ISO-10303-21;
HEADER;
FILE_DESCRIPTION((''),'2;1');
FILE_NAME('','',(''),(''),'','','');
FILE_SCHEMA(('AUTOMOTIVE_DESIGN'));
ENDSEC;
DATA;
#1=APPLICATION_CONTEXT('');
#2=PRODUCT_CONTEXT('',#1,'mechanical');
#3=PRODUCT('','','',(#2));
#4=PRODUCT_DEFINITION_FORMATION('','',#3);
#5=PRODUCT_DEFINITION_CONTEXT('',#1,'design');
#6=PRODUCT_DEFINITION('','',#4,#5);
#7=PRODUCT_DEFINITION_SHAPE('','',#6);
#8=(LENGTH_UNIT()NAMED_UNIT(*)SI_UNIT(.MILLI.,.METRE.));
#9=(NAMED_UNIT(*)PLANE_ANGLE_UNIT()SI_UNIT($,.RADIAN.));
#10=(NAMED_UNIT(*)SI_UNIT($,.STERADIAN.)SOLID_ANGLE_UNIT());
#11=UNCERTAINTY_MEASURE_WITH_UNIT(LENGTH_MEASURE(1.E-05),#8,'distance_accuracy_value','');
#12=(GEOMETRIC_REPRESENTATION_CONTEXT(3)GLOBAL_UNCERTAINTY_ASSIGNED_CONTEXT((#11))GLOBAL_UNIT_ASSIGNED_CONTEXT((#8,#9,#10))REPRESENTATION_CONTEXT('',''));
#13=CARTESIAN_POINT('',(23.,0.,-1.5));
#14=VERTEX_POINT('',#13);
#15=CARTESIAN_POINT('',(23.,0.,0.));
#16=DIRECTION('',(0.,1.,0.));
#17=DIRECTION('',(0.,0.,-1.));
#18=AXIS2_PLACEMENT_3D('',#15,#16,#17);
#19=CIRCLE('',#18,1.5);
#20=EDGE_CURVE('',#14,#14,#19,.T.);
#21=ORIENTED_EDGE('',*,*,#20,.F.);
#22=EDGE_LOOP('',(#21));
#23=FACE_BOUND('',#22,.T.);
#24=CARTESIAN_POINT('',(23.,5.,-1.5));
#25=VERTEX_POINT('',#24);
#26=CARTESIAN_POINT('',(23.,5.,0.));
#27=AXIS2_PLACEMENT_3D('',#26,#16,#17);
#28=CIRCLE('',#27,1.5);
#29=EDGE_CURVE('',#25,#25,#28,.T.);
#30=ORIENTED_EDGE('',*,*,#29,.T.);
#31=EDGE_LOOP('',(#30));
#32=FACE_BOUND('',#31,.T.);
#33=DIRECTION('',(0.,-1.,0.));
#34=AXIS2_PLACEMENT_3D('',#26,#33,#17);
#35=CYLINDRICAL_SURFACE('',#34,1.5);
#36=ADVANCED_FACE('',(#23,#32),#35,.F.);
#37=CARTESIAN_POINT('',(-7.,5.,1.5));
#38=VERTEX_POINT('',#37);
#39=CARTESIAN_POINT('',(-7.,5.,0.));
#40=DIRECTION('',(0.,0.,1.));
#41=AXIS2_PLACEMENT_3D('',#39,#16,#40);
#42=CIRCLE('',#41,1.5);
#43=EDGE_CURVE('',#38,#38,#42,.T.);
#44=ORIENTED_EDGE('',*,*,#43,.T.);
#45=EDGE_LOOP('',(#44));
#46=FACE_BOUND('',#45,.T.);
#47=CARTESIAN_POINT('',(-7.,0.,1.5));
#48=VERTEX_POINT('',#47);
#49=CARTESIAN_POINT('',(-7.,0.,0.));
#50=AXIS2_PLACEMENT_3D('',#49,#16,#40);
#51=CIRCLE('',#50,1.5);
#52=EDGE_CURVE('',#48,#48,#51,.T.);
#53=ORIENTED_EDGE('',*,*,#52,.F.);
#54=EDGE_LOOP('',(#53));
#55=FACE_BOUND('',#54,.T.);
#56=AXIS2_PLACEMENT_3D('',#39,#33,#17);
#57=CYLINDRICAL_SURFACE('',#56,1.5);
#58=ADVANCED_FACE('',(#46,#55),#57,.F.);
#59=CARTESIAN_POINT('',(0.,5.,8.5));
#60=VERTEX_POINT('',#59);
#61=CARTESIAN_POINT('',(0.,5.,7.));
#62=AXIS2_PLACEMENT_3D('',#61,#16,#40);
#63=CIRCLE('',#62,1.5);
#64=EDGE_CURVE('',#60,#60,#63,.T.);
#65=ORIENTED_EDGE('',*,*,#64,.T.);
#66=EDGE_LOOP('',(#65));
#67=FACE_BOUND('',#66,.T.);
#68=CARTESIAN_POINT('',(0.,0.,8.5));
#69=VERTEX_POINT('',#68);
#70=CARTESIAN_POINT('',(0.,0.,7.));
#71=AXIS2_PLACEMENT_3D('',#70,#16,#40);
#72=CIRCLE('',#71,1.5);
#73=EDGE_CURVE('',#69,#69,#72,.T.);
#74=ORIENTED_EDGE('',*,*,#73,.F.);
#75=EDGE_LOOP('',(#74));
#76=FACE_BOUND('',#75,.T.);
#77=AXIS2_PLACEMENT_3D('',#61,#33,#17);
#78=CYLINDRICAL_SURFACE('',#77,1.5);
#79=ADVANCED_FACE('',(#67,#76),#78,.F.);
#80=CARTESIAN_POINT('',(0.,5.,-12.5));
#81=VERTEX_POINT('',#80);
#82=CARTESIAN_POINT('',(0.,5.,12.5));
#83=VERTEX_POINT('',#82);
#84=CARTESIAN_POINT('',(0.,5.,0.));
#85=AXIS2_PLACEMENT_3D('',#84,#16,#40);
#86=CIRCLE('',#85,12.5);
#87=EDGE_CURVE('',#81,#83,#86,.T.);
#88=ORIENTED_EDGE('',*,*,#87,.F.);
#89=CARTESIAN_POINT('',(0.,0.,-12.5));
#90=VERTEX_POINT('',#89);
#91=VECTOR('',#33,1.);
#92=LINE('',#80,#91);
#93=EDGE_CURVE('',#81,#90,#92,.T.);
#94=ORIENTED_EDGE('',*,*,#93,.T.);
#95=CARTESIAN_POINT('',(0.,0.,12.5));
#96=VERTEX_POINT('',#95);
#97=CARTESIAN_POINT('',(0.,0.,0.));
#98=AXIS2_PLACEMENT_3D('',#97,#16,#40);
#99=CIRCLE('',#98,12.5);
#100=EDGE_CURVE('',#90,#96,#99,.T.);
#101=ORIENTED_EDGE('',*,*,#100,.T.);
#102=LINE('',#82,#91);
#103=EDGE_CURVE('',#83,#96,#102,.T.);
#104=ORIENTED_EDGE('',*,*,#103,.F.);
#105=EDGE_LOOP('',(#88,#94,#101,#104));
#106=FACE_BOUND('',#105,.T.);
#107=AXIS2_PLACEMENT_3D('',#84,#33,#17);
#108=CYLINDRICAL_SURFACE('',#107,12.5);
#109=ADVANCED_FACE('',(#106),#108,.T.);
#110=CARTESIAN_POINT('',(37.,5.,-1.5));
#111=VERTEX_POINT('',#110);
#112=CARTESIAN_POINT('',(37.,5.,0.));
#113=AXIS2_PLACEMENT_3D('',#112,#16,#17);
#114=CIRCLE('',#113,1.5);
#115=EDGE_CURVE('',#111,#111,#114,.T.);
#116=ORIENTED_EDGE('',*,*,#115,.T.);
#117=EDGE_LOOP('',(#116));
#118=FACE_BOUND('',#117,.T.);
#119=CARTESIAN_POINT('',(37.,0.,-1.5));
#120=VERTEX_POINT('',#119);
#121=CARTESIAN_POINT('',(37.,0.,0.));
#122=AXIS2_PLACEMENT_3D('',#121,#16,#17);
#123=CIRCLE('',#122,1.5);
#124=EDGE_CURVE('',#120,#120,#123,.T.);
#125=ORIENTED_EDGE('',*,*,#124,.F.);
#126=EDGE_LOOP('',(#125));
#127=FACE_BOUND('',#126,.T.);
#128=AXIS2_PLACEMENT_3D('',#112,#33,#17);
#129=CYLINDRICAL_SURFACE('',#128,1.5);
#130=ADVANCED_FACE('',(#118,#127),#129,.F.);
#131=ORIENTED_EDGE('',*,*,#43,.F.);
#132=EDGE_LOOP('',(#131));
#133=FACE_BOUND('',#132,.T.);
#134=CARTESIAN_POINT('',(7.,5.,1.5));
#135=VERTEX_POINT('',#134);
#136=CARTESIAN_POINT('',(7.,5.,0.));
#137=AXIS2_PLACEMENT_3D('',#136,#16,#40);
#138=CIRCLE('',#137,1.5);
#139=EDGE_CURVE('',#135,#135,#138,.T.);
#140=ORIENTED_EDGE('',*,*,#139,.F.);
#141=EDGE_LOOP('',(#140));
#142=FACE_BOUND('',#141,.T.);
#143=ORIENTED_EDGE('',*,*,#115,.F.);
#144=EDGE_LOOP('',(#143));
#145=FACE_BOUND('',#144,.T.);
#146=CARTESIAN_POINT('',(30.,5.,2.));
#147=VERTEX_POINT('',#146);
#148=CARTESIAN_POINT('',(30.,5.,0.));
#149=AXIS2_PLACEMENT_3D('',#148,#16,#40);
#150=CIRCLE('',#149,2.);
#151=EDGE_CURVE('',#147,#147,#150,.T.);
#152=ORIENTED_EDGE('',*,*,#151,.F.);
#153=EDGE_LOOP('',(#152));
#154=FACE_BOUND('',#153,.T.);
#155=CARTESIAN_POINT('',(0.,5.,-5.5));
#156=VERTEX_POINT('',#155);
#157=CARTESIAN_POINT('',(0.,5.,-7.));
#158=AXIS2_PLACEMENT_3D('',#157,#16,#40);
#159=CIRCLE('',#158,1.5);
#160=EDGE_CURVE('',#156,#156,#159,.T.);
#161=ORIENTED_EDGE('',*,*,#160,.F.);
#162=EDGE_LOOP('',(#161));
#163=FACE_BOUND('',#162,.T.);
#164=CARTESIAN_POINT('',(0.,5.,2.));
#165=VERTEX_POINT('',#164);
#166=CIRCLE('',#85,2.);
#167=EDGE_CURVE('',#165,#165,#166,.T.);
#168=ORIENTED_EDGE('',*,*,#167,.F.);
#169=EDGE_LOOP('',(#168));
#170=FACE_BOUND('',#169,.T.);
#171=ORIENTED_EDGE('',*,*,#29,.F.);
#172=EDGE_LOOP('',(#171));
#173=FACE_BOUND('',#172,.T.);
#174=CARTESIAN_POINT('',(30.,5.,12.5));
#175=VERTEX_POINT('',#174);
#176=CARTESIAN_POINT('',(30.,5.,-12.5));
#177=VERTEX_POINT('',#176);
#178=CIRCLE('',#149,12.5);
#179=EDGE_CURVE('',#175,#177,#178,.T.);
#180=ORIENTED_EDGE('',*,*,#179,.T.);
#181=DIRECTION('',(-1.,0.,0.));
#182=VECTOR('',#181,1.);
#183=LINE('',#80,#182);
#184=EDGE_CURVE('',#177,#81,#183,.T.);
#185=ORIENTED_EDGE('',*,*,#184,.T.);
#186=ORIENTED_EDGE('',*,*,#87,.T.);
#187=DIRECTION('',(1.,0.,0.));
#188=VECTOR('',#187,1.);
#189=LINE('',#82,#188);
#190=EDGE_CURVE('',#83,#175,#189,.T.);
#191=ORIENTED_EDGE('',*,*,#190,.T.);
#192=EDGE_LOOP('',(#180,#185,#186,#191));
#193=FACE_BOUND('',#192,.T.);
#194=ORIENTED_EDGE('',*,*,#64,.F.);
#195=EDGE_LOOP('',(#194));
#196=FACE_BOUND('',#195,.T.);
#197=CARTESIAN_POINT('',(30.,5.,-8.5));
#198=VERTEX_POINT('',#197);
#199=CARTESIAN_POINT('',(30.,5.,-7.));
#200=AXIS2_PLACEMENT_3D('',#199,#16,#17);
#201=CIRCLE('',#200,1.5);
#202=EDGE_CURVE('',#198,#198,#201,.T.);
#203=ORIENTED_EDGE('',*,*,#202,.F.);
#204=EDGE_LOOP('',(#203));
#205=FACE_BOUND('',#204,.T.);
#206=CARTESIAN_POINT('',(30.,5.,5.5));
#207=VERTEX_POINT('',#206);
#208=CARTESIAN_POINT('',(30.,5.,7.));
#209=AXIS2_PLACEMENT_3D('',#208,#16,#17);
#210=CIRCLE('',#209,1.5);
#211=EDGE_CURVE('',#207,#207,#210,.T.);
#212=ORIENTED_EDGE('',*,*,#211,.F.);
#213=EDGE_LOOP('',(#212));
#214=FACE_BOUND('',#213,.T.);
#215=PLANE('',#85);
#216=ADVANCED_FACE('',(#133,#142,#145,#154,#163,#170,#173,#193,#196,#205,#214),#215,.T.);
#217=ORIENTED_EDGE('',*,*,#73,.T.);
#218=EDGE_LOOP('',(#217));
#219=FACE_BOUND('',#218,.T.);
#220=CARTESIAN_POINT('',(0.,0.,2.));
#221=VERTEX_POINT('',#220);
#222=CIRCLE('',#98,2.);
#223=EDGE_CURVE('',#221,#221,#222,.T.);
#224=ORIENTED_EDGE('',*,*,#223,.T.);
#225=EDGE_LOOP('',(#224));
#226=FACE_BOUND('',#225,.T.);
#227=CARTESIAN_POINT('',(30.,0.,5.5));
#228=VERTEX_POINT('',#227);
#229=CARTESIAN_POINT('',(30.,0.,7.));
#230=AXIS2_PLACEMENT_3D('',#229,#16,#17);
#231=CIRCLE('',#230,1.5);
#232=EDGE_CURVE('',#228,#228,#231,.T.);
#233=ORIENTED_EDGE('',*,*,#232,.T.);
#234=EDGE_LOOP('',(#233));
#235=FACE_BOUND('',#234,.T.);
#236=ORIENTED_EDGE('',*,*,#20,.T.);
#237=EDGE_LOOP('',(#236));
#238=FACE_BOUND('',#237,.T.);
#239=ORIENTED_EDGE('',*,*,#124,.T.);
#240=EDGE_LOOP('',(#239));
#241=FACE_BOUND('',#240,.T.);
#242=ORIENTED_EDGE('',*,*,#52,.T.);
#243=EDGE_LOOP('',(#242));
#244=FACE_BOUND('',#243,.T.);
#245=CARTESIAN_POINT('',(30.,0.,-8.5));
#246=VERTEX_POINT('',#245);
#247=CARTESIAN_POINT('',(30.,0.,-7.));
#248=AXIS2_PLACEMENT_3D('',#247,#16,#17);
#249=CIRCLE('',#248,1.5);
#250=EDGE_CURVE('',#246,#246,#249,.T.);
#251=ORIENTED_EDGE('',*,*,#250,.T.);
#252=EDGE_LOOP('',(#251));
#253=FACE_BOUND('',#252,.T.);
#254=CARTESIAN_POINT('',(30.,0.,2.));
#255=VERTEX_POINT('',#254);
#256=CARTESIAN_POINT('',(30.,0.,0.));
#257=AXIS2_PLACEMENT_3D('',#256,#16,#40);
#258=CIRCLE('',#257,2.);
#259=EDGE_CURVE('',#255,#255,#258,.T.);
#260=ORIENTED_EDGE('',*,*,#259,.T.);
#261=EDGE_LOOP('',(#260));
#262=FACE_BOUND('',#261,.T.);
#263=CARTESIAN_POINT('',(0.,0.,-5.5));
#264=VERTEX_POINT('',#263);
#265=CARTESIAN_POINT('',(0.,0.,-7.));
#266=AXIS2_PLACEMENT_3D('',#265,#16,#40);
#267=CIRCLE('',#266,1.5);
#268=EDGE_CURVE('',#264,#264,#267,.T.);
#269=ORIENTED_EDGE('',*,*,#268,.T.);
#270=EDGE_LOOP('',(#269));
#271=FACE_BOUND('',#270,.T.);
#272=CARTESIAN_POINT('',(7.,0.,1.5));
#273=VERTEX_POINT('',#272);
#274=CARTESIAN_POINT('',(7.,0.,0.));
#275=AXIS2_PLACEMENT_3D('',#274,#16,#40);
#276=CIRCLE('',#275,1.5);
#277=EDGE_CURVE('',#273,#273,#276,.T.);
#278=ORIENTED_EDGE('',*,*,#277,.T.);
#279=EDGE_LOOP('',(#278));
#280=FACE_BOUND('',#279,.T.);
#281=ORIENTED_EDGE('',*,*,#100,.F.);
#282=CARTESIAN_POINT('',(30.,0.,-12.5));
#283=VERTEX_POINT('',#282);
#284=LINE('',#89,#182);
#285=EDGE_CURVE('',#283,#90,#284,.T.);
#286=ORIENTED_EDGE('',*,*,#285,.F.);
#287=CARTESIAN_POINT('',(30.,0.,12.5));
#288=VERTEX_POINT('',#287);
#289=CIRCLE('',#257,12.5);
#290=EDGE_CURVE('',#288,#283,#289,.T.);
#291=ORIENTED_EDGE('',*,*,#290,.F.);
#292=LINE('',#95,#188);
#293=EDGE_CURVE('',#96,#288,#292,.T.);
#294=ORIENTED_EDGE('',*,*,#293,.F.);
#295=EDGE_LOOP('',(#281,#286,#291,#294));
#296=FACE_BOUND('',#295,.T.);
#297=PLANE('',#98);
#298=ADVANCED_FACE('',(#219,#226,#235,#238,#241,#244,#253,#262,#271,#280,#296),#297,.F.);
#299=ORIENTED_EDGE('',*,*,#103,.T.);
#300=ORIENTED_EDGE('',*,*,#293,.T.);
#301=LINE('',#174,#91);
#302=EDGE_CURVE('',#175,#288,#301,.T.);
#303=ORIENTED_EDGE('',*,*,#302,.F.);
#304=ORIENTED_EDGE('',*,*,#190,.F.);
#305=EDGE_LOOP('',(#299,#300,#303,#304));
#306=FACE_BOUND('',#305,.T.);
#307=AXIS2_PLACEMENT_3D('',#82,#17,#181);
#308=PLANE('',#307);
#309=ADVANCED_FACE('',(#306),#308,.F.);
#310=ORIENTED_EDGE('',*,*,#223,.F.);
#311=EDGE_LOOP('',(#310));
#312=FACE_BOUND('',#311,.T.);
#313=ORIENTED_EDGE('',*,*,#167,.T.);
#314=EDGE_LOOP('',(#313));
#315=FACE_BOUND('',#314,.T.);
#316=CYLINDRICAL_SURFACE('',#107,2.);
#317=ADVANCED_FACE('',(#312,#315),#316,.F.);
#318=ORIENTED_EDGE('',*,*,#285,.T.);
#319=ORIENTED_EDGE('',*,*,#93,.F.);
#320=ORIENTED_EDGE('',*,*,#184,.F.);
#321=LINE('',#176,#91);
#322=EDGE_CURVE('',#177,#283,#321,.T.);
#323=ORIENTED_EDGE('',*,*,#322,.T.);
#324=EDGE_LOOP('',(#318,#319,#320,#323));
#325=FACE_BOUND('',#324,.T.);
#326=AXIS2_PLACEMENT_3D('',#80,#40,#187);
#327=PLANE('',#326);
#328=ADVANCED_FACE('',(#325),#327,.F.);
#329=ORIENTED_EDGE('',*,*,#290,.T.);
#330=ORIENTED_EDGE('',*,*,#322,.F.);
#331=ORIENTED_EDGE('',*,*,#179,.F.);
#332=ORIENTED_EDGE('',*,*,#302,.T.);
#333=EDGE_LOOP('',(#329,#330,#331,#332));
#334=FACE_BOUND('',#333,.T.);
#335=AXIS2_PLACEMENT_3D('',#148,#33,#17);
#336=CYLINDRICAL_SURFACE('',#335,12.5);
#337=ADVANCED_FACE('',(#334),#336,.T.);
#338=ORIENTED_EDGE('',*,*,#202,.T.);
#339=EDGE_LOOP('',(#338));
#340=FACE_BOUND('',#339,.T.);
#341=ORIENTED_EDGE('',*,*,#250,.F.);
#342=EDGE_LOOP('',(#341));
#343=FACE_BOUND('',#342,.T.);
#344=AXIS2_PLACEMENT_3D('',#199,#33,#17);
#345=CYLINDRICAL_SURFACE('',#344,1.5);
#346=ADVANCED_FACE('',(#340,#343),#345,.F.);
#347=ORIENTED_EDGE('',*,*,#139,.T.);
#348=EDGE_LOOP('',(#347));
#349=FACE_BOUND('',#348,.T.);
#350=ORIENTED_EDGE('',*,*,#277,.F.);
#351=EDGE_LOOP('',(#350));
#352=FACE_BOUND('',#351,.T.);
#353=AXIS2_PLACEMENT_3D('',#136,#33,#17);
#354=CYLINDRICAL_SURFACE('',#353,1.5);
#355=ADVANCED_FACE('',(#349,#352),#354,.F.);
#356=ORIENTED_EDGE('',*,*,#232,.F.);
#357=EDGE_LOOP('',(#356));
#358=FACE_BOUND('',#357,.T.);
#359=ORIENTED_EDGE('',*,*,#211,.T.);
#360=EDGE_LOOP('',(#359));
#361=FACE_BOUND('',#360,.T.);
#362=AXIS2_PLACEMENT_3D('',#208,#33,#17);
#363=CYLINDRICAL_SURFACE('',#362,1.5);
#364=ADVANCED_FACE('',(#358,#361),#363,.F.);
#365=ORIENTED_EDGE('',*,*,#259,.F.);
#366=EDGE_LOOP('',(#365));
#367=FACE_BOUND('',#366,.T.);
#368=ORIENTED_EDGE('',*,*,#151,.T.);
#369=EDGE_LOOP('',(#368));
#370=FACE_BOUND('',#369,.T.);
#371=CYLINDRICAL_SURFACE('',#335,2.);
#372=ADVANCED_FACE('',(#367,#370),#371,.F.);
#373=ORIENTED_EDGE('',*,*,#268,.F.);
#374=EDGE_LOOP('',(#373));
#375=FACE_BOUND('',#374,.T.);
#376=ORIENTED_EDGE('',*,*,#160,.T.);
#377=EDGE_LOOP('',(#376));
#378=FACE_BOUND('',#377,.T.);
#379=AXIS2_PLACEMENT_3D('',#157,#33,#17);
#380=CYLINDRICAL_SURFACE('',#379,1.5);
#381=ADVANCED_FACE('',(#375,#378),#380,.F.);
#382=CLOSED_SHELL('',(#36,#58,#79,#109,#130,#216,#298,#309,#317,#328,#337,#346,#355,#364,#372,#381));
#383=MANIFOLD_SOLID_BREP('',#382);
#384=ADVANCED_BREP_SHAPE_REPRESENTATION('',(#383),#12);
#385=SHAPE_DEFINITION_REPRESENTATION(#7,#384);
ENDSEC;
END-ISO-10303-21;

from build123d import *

# Parameters (mm, degrees)
SKETCH_1_R      = 2
SKETCH_1_R_2    = 1.5
EXTRUDE_1_DEPTH = 5


with BuildPart() as part:
    # 草图1 → 凸台-拉伸1 (new body)
    with BuildSketch(Plane(origin=(0, 0, 0), x_dir=(1, 0, 0), z_dir=(0, 1, 0))):
        with BuildLine():
            Line((0, 12.5), (30, 12.5))
            ThreePointArc((30, 12.5), (42.5, 0), (30, -12.5))
            Line((30, -12.5), (0, -12.5))
            ThreePointArc((0, -12.5), (-12.5, 0), (0, 12.5))
        make_face()
        with Locations(Location((30, 0, 0), (0, 0, 270))):
            Circle(SKETCH_1_R, mode=Mode.SUBTRACT)
        with Locations(Location((0, 0, 0), (0, 0, 270))):
            Circle(SKETCH_1_R, mode=Mode.SUBTRACT)
        with Locations(Location((7, 0, 0), (0, 0, 270))):
            Circle(SKETCH_1_R_2, mode=Mode.SUBTRACT)
        with Locations(Location((0, 7, 0), (0, 0, 270))):
            Circle(SKETCH_1_R_2, mode=Mode.SUBTRACT)
        with Locations(Location((-7, 0, 0), (0, 0, 270))):
            Circle(SKETCH_1_R_2, mode=Mode.SUBTRACT)
        with Locations(Location((0, -7, 0), (0, 0, 270))):
            Circle(SKETCH_1_R_2, mode=Mode.SUBTRACT)
        with Locations(Location((23, 0, 0), (0, 0, 90))):
            Circle(SKETCH_1_R_2, mode=Mode.SUBTRACT)
        with Locations(Location((30, -7, 0), (0, 0, 90))):
            Circle(SKETCH_1_R_2, mode=Mode.SUBTRACT)
        with Locations(Location((37, 0, 0), (0, 0, 90))):
            Circle(SKETCH_1_R_2, mode=Mode.SUBTRACT)
        with Locations(Location((30, 7, 0), (0, 0, 90))):
            Circle(SKETCH_1_R_2, mode=Mode.SUBTRACT)
    extrude(amount=EXTRUDE_1_DEPTH)


solid = part.part
